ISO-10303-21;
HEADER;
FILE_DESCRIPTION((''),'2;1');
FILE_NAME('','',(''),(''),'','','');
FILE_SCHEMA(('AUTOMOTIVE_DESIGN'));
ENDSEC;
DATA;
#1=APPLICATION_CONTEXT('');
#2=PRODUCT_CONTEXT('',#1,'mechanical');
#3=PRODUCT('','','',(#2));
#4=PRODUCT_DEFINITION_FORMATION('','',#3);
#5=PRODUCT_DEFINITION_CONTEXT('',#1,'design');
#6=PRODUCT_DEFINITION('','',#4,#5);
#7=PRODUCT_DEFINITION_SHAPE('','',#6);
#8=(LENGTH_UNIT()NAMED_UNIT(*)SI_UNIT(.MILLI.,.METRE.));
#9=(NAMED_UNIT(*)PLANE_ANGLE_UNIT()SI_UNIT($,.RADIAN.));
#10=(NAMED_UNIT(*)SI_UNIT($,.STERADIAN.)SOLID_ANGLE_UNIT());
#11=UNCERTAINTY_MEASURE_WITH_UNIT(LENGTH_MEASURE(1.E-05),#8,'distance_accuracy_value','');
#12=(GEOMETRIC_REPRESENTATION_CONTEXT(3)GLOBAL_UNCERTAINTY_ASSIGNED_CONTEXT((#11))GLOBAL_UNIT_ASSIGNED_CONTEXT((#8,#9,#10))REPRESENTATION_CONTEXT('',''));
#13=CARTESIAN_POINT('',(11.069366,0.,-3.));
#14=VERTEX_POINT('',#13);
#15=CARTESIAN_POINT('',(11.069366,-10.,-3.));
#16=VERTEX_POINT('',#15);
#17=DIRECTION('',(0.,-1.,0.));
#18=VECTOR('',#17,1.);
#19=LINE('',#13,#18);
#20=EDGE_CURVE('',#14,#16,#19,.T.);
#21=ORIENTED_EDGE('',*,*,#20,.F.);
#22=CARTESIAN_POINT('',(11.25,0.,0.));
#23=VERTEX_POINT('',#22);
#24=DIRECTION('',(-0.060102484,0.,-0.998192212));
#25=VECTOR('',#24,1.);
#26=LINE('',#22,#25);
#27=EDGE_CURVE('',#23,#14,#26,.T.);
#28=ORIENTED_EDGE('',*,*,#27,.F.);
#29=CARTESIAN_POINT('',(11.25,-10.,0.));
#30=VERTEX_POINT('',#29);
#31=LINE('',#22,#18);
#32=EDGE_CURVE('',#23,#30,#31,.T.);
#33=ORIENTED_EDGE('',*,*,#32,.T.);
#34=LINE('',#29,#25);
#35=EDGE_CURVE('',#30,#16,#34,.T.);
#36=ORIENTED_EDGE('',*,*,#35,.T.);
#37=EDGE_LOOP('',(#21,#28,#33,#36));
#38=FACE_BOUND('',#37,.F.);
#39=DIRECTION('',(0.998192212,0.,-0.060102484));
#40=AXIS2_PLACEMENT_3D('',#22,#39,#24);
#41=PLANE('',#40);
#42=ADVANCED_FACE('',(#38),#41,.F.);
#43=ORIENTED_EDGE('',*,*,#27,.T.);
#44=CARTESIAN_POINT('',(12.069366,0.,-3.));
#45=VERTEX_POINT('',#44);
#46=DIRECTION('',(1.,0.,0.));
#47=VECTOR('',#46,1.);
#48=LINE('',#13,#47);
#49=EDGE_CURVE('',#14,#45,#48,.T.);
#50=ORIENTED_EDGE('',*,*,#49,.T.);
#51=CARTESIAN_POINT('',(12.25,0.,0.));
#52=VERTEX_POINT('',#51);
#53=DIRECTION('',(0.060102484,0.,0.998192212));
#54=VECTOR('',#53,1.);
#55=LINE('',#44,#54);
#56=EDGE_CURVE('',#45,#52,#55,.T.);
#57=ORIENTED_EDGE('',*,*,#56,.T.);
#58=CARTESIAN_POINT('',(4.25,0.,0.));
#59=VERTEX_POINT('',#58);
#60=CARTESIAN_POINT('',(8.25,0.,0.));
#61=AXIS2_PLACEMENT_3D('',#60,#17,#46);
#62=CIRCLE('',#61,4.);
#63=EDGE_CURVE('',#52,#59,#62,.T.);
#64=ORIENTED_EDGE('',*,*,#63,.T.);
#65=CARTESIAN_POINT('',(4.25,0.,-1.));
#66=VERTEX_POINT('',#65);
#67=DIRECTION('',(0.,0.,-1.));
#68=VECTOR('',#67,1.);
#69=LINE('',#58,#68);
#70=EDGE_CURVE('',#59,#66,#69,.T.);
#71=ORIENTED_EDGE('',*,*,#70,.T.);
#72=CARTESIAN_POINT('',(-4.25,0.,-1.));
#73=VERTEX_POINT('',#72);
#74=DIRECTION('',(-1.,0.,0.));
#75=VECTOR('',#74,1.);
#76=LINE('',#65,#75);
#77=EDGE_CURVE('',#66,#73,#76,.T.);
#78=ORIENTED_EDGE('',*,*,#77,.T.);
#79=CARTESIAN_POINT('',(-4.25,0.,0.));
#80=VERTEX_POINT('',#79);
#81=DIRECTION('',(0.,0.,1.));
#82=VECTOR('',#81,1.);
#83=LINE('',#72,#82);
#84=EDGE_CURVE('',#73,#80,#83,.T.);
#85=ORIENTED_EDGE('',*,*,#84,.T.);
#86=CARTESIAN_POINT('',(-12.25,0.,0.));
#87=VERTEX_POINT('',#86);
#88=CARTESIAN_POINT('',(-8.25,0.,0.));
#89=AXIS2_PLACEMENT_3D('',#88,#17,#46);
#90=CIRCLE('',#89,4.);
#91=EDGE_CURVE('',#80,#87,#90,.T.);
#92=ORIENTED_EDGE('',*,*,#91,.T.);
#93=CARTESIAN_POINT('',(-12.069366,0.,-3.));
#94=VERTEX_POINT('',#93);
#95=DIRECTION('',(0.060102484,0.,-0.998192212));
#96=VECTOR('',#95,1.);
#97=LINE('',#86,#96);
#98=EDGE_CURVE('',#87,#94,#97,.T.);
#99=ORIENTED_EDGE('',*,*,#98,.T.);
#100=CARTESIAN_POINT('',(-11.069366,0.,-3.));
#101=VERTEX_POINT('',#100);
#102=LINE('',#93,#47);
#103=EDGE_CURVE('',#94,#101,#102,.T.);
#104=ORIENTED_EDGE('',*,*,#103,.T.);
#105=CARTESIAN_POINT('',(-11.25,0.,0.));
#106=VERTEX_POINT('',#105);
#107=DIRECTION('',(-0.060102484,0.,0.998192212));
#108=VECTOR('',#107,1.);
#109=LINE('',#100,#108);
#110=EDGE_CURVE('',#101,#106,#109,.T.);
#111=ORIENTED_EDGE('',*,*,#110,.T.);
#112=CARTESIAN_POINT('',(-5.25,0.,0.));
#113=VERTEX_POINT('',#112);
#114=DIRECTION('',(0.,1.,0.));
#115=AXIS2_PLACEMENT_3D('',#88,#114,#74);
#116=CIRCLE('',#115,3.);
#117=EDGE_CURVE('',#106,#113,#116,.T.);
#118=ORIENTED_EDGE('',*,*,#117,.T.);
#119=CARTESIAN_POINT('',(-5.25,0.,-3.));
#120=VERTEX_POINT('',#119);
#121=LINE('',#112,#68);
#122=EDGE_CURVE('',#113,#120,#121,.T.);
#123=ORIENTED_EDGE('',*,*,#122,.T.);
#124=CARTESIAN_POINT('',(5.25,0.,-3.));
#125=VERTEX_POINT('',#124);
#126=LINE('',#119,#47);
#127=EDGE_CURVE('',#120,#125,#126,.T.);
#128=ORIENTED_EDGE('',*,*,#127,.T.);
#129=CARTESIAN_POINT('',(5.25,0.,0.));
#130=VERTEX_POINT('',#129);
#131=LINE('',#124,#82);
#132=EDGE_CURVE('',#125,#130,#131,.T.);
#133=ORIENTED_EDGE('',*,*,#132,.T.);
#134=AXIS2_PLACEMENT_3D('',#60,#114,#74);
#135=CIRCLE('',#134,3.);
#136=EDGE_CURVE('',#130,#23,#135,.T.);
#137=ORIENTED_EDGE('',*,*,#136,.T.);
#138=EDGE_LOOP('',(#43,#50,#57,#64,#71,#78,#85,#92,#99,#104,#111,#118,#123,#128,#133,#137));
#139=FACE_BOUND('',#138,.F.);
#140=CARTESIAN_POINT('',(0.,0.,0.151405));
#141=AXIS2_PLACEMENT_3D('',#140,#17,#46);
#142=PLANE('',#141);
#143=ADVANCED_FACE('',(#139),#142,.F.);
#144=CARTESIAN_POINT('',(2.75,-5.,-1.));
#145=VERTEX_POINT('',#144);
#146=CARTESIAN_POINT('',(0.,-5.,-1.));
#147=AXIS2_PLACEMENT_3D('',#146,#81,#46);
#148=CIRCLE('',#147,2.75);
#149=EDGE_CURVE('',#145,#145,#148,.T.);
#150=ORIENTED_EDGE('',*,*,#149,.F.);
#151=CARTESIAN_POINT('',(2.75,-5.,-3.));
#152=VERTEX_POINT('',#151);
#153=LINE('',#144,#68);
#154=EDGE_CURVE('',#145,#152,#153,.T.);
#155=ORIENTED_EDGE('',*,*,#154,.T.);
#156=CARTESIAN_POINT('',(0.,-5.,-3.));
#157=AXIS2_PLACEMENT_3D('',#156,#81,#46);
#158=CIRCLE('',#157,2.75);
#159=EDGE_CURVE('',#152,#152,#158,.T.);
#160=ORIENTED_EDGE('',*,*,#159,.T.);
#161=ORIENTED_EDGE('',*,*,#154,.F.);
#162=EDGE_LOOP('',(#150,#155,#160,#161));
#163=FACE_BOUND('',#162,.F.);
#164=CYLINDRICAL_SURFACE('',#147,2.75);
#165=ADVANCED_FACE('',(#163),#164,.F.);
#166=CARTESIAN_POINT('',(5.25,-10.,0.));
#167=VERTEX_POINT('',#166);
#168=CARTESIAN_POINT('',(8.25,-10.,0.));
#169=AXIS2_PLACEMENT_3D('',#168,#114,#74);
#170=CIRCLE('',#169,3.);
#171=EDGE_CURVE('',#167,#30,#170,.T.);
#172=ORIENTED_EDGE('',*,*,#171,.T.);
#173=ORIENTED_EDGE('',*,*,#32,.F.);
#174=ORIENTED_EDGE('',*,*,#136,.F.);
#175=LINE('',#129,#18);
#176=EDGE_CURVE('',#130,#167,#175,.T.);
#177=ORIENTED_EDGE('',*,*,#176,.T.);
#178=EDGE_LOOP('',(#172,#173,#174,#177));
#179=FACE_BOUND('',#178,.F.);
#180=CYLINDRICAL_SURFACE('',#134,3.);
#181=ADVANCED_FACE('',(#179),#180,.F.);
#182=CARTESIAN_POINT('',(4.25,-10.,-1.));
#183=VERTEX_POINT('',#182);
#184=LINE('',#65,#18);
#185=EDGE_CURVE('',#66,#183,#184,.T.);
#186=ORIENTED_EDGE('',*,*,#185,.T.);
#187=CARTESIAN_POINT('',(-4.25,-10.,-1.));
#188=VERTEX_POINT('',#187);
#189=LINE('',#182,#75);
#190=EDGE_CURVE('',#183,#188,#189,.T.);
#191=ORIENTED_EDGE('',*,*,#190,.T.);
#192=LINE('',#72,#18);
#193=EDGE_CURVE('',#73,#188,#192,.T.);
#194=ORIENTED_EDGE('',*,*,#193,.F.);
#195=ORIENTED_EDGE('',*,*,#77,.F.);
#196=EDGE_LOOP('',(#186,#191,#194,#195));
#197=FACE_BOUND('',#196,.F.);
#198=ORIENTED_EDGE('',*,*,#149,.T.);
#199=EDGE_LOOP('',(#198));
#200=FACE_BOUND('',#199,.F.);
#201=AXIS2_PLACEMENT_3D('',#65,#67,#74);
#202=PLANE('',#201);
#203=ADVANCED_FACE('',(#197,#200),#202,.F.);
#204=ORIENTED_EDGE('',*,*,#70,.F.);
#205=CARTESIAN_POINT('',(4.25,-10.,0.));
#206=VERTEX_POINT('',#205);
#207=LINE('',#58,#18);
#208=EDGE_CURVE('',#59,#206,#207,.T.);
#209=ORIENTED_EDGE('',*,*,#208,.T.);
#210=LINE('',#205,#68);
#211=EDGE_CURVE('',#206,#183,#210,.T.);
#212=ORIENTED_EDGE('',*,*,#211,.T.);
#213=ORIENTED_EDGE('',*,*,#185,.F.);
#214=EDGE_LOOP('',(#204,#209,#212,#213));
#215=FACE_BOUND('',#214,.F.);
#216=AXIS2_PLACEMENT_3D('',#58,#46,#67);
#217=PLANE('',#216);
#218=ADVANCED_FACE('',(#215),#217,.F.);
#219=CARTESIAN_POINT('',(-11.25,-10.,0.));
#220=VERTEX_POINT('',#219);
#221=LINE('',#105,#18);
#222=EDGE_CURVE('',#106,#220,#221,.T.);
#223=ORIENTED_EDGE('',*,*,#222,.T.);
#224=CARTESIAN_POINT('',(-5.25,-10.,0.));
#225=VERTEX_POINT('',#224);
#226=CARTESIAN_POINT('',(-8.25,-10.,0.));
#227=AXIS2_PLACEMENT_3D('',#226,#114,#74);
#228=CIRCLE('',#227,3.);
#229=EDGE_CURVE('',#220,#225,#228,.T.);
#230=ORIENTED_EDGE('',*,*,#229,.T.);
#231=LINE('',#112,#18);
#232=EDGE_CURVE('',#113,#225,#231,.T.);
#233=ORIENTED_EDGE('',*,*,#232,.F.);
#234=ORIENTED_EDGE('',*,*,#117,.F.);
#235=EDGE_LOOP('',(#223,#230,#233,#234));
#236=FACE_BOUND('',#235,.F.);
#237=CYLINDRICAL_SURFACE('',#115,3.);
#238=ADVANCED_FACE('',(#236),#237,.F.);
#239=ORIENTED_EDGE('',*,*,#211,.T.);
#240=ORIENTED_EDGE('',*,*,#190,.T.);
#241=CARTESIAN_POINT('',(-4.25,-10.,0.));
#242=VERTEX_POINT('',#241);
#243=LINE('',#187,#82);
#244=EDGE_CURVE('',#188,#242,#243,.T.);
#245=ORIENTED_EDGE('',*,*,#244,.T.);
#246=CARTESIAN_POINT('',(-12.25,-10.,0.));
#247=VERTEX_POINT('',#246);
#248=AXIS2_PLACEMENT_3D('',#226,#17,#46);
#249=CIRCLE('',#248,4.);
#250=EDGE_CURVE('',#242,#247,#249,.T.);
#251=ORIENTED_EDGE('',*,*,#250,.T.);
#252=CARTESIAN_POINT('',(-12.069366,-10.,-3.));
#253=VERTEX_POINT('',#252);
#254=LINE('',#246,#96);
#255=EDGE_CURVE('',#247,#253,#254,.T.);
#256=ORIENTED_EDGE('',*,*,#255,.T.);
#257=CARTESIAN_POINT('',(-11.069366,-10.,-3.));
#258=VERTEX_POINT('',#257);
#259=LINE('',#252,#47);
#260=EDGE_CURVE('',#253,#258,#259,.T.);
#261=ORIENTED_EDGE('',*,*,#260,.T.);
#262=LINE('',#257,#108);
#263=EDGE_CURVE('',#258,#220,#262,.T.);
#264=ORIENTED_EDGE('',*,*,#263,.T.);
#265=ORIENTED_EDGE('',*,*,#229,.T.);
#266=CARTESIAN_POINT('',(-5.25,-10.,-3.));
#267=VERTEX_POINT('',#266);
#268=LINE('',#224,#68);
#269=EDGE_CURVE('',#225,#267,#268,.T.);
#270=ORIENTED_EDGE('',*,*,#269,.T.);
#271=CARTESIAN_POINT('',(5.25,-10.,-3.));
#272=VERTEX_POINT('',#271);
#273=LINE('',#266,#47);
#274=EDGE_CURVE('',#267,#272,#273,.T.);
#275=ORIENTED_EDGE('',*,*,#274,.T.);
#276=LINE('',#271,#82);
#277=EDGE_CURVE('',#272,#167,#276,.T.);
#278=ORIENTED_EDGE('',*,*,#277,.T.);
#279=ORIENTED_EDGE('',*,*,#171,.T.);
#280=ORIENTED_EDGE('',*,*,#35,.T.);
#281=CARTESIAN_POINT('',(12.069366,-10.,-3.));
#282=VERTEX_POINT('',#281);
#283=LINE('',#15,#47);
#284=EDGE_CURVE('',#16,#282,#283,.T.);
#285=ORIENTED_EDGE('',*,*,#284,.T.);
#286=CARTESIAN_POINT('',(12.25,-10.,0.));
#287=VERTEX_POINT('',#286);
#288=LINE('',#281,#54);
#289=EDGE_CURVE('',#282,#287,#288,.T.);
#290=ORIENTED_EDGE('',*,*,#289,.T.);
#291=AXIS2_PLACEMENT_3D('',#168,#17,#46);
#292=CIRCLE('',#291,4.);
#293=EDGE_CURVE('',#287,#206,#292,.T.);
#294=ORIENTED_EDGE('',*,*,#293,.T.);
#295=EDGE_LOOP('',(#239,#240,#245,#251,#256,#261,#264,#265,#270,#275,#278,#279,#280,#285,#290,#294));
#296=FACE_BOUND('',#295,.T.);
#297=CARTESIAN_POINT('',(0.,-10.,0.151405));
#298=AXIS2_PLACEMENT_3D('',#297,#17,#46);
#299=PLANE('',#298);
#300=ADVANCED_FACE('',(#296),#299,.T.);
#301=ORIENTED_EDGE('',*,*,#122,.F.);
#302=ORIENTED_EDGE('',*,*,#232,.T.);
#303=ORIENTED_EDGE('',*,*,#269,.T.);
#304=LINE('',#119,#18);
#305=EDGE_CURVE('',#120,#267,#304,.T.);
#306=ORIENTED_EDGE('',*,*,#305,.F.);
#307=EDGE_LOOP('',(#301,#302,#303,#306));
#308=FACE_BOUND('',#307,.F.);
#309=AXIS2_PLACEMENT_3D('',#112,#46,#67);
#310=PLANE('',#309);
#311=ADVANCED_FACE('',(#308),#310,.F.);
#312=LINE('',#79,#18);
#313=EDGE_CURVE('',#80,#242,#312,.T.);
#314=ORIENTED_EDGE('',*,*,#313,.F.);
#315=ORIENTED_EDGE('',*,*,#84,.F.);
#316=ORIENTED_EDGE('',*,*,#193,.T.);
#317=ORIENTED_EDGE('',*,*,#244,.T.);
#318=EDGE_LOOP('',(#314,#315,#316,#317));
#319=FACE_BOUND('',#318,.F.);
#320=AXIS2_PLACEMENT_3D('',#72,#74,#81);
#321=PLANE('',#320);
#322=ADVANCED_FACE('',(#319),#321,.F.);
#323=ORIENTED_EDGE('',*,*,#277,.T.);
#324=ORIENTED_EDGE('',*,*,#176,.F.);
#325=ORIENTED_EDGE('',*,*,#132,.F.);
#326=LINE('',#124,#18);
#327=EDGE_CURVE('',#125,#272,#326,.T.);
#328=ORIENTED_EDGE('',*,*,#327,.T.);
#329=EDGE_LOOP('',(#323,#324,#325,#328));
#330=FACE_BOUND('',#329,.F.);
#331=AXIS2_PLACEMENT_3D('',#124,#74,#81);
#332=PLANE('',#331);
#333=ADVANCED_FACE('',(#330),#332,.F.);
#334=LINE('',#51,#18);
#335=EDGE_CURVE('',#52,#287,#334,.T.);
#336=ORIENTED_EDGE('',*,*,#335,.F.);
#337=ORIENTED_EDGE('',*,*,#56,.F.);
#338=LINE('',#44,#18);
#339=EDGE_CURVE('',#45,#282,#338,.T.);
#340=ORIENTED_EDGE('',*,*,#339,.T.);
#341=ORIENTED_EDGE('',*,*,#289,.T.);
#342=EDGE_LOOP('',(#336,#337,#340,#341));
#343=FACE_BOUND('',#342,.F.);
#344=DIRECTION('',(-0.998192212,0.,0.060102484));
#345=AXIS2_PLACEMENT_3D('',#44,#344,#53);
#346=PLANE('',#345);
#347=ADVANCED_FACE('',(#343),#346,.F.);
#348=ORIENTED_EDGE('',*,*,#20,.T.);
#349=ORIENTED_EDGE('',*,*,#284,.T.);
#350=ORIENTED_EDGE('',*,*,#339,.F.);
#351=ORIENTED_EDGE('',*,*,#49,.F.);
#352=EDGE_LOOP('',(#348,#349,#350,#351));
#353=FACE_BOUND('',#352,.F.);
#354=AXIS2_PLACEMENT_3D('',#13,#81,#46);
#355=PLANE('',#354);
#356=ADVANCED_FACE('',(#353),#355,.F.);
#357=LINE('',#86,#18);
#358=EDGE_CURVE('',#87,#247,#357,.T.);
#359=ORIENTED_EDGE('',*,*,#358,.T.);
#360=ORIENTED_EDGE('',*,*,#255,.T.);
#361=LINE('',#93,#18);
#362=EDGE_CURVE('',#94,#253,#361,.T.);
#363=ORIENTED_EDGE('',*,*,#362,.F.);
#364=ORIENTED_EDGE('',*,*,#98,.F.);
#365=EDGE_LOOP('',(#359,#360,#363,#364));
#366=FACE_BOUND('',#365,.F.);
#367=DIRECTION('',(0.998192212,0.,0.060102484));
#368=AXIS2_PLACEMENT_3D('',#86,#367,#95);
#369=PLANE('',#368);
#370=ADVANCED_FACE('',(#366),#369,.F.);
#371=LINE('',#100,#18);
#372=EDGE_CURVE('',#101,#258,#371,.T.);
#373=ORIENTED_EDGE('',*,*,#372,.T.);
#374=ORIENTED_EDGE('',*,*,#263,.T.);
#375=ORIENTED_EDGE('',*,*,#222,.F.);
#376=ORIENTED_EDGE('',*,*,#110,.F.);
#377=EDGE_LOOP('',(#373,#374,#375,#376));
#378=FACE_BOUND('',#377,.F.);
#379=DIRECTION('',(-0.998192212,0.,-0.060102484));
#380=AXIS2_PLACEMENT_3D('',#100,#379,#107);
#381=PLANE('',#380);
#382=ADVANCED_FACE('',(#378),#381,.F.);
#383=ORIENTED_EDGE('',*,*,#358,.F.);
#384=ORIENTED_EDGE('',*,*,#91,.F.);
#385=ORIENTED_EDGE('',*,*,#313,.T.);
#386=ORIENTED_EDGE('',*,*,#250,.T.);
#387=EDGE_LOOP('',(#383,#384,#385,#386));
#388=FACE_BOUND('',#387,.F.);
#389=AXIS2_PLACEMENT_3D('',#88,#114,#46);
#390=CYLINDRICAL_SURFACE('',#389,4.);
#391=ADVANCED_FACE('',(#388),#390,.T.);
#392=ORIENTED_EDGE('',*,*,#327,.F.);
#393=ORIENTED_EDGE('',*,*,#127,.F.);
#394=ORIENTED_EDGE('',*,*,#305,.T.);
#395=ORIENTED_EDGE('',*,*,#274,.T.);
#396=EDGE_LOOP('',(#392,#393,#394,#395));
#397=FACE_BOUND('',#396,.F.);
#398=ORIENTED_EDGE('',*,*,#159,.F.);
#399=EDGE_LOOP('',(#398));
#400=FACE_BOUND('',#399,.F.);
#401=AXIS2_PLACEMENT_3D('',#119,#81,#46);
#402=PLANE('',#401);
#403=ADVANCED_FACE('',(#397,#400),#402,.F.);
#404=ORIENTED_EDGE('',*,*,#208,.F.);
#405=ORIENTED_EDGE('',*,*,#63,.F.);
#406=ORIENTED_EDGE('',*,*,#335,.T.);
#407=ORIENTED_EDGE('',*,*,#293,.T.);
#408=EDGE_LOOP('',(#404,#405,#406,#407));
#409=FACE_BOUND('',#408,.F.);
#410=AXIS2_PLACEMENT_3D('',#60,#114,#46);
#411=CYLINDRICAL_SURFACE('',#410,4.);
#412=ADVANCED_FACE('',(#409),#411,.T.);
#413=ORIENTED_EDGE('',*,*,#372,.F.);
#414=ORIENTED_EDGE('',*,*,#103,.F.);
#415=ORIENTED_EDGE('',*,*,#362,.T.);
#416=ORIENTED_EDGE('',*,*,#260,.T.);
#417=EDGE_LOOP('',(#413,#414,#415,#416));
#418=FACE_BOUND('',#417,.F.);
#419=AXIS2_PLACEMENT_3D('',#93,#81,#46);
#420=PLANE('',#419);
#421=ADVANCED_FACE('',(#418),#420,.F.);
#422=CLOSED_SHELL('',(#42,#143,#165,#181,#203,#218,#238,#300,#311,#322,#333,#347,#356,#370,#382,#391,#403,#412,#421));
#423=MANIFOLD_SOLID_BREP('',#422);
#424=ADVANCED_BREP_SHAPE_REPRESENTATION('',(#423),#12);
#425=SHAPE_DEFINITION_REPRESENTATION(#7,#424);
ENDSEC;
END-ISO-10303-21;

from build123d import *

# Parameters (mm, degrees)
F1_DEPTH = 10
F2_R     = 2.75
F3_DEPTH = 2.5


with BuildPart() as f1:
    # F0 (on Front) → F1 (new body)
    with BuildSketch(Plane.XZ):
        with BuildLine():
            ThreePointArc((-4.25, 0), (-8.25, 4), (-12.25, 0))
            Line((-12.25, 0), (-12.069366, -3))
            Line((-12.069366, -3), (-11.069366, -3))
            Line((-11.069366, -3), (-11.25, 0))
            ThreePointArc((-11.25, 0), (-8.25, 3), (-5.25, 0))
            Line((-5.25, 0), (-5.25, -3))
            Line((-5.25, -3), (5.25, -3))
            Line((5.25, -3), (5.25, 0))
            ThreePointArc((5.25, 0), (8.25, 3), (11.25, 0))
            Line((11.25, 0), (11.069366, -3))
            Line((11.069366, -3), (12.069366, -3))
            Line((12.069366, -3), (12.25, 0))
            ThreePointArc((12.25, 0), (8.25, 4), (4.25, 0))
            Line((4.25, 0), (4.25, -1))
            Line((4.25, -1), (-4.25, -1))
            Line((-4.25, -1), (-4.25, 0))
        make_face()
    extrude(amount=F1_DEPTH)

    # F2 (on face) → F3 (cut)
    with BuildSketch(Plane.XY.offset(-1)):
        with Locations((0, -5)):
            Circle(F2_R)
    extrude(amount=-F3_DEPTH, mode=Mode.SUBTRACT)


solid = f1.part
